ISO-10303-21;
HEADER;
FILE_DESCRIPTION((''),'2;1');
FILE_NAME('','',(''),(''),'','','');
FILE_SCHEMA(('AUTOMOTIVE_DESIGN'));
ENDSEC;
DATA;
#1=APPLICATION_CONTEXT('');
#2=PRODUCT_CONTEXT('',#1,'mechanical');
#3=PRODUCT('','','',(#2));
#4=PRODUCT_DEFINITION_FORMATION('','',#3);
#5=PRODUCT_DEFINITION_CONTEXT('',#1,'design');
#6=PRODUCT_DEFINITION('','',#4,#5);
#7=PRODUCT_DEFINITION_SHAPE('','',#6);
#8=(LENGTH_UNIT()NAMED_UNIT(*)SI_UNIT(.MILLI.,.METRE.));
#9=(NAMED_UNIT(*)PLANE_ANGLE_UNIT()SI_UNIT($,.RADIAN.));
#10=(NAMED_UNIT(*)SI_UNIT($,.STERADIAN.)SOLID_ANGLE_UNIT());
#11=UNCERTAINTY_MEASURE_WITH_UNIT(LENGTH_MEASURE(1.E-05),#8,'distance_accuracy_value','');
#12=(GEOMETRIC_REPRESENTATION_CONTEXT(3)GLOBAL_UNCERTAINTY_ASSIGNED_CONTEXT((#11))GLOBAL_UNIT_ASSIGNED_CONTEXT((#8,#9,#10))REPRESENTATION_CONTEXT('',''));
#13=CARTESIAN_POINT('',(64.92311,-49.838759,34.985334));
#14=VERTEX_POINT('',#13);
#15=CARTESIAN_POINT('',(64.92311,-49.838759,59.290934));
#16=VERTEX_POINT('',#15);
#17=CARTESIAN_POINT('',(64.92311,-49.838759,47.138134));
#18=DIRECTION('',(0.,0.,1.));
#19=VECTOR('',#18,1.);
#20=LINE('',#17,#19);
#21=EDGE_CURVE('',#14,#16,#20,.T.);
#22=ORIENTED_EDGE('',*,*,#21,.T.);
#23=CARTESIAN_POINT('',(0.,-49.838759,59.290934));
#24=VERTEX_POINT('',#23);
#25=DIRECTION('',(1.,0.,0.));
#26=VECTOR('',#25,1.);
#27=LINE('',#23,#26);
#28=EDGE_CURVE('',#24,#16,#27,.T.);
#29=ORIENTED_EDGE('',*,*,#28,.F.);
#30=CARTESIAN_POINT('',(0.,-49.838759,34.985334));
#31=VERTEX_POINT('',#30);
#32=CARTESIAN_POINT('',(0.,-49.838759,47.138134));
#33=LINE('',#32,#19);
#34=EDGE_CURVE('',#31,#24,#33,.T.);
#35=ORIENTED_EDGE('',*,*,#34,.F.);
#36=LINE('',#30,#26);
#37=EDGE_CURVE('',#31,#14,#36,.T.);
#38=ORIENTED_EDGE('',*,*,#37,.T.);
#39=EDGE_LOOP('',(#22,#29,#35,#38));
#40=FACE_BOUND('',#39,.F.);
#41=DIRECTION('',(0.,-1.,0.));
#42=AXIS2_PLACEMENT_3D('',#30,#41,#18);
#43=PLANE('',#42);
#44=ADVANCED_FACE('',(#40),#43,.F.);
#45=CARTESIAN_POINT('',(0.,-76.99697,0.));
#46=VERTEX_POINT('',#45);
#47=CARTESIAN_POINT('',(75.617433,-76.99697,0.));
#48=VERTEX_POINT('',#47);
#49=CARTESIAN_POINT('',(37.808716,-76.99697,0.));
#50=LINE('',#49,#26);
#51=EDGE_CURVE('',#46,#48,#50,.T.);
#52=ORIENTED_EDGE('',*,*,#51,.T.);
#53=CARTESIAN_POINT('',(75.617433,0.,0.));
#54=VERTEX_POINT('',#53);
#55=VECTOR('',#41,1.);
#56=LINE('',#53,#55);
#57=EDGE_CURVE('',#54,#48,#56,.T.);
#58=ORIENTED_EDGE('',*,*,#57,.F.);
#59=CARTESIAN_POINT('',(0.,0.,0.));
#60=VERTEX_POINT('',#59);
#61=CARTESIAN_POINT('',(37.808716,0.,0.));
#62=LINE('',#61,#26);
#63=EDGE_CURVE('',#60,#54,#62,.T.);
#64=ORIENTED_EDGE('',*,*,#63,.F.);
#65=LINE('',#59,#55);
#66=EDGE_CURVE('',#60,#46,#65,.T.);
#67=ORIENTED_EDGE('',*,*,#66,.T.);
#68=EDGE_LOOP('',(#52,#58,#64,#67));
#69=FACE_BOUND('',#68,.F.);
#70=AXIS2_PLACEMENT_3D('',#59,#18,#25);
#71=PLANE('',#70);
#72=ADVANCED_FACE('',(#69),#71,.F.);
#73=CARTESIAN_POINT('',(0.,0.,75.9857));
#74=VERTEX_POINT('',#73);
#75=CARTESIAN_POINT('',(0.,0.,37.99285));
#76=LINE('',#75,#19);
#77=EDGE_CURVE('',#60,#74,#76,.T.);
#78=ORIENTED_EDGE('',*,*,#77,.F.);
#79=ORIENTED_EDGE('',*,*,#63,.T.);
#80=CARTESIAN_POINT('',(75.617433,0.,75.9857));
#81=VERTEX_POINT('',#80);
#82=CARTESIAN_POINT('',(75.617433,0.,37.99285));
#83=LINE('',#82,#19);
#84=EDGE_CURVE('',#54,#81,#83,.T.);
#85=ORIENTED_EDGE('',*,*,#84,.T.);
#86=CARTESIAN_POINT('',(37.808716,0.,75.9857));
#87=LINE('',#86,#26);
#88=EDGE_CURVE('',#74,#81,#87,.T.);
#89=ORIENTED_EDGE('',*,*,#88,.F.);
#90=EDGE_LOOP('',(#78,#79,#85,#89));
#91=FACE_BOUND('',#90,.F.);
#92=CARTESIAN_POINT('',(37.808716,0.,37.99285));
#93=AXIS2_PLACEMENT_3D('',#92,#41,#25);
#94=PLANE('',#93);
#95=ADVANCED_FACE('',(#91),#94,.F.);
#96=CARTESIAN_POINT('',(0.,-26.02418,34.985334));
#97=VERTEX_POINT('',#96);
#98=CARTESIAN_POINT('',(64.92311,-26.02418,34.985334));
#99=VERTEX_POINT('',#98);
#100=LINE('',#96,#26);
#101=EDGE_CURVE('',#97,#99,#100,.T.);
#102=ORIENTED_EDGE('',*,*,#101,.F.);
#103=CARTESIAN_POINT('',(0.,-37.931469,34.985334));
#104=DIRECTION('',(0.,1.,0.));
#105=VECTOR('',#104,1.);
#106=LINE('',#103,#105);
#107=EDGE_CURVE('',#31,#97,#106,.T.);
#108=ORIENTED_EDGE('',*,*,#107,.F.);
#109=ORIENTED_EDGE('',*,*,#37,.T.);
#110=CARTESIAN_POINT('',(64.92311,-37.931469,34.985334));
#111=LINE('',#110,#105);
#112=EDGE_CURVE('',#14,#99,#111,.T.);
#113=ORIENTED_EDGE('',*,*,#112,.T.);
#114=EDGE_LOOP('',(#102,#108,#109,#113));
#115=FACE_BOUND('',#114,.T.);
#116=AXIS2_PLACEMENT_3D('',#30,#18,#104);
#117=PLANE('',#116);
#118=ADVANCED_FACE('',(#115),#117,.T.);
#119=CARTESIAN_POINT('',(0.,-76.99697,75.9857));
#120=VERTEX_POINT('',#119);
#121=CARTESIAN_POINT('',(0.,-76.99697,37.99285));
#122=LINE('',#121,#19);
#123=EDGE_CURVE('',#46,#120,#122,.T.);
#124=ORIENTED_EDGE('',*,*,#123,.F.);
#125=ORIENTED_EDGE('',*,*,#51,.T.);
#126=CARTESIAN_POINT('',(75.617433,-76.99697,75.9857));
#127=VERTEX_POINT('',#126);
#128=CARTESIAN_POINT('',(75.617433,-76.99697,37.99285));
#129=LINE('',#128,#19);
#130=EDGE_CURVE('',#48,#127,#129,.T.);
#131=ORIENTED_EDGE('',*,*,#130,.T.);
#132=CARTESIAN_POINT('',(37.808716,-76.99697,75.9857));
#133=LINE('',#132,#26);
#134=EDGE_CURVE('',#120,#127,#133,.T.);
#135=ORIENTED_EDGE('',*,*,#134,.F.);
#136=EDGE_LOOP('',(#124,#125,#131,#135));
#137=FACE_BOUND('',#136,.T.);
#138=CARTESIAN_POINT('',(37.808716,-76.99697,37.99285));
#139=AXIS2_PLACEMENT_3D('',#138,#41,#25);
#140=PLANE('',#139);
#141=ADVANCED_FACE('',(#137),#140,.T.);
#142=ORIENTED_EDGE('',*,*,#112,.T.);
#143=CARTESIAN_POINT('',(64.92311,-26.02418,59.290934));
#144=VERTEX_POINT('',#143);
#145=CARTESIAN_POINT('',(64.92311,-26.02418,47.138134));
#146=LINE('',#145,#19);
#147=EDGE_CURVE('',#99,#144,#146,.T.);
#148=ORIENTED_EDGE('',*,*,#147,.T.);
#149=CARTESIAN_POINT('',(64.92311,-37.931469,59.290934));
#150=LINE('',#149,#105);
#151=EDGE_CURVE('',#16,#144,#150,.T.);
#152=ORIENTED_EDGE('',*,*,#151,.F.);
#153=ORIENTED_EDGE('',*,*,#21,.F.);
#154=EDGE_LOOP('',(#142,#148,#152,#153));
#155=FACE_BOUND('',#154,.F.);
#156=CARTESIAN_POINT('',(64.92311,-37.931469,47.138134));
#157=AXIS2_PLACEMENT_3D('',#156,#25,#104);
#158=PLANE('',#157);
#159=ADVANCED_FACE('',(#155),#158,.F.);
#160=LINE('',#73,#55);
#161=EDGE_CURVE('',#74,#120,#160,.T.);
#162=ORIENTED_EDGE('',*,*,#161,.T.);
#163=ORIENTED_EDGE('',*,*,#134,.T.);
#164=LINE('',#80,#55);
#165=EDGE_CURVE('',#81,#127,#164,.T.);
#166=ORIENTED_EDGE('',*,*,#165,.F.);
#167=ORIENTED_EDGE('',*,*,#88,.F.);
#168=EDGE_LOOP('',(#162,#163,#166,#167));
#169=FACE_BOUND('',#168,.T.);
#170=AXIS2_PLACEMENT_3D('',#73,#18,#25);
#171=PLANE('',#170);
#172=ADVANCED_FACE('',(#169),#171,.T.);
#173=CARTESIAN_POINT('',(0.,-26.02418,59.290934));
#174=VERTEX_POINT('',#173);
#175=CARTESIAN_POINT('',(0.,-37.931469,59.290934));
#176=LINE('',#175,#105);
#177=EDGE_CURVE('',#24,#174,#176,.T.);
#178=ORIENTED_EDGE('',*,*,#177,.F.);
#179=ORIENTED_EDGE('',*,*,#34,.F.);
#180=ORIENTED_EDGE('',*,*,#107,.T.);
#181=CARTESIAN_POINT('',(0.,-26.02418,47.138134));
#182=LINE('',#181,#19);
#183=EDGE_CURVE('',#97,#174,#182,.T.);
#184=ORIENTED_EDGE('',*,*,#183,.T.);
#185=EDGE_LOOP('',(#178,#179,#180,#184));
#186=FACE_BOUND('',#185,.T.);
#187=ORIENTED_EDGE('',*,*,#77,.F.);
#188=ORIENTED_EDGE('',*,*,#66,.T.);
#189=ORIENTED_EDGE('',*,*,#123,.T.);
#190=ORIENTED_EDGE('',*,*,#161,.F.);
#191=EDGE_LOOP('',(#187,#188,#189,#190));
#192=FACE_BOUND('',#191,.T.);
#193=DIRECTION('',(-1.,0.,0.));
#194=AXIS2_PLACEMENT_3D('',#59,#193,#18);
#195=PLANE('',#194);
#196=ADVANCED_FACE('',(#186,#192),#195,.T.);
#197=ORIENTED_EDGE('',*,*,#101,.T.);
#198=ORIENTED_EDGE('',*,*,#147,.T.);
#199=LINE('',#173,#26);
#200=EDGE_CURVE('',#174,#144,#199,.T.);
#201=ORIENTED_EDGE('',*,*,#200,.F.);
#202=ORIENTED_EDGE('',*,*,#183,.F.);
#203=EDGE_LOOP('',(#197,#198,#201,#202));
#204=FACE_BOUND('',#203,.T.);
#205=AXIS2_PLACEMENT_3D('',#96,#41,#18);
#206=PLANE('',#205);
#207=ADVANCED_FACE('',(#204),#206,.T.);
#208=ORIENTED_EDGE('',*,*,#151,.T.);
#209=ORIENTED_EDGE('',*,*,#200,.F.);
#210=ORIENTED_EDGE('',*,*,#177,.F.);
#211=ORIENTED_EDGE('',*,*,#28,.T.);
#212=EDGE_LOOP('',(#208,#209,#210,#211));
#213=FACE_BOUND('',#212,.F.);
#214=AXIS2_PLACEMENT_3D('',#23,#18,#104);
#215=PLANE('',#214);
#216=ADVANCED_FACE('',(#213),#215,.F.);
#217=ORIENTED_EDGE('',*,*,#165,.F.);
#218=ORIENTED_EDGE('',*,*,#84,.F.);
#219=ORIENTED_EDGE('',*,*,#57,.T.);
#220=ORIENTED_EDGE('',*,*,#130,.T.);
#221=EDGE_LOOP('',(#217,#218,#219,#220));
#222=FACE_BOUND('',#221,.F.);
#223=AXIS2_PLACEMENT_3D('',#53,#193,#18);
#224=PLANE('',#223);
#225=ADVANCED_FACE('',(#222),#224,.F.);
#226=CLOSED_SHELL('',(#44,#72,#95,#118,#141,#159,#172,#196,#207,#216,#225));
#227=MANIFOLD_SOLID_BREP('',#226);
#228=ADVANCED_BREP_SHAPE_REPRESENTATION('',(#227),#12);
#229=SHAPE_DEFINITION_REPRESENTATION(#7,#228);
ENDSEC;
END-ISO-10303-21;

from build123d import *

# Parameters (mm, degrees)
F0_W     = 75.6174325943
F0_H     = 75.985699892
F1_DEPTH = 76.99697
F2_W     = 23.8145794719
F2_H     = 24.305600673
F3_DEPTH = 64.92311


with BuildPart() as f1:
    # F0 (on Front) → F1 (new body)
    with BuildSketch(Plane.XZ):
        with Locations((37.8087162971, 37.992849946)):
            Rectangle(F0_W, F0_H)
    extrude(amount=F1_DEPTH)

    # F2 (on Right) → F3 (cut)
    with BuildSketch(Plane.YZ):
        with Locations((-37.9314692691, 47.1381340176)):
            Rectangle(F2_W, F2_H)
    extrude(amount=F3_DEPTH, mode=Mode.SUBTRACT)


solid = f1.part
